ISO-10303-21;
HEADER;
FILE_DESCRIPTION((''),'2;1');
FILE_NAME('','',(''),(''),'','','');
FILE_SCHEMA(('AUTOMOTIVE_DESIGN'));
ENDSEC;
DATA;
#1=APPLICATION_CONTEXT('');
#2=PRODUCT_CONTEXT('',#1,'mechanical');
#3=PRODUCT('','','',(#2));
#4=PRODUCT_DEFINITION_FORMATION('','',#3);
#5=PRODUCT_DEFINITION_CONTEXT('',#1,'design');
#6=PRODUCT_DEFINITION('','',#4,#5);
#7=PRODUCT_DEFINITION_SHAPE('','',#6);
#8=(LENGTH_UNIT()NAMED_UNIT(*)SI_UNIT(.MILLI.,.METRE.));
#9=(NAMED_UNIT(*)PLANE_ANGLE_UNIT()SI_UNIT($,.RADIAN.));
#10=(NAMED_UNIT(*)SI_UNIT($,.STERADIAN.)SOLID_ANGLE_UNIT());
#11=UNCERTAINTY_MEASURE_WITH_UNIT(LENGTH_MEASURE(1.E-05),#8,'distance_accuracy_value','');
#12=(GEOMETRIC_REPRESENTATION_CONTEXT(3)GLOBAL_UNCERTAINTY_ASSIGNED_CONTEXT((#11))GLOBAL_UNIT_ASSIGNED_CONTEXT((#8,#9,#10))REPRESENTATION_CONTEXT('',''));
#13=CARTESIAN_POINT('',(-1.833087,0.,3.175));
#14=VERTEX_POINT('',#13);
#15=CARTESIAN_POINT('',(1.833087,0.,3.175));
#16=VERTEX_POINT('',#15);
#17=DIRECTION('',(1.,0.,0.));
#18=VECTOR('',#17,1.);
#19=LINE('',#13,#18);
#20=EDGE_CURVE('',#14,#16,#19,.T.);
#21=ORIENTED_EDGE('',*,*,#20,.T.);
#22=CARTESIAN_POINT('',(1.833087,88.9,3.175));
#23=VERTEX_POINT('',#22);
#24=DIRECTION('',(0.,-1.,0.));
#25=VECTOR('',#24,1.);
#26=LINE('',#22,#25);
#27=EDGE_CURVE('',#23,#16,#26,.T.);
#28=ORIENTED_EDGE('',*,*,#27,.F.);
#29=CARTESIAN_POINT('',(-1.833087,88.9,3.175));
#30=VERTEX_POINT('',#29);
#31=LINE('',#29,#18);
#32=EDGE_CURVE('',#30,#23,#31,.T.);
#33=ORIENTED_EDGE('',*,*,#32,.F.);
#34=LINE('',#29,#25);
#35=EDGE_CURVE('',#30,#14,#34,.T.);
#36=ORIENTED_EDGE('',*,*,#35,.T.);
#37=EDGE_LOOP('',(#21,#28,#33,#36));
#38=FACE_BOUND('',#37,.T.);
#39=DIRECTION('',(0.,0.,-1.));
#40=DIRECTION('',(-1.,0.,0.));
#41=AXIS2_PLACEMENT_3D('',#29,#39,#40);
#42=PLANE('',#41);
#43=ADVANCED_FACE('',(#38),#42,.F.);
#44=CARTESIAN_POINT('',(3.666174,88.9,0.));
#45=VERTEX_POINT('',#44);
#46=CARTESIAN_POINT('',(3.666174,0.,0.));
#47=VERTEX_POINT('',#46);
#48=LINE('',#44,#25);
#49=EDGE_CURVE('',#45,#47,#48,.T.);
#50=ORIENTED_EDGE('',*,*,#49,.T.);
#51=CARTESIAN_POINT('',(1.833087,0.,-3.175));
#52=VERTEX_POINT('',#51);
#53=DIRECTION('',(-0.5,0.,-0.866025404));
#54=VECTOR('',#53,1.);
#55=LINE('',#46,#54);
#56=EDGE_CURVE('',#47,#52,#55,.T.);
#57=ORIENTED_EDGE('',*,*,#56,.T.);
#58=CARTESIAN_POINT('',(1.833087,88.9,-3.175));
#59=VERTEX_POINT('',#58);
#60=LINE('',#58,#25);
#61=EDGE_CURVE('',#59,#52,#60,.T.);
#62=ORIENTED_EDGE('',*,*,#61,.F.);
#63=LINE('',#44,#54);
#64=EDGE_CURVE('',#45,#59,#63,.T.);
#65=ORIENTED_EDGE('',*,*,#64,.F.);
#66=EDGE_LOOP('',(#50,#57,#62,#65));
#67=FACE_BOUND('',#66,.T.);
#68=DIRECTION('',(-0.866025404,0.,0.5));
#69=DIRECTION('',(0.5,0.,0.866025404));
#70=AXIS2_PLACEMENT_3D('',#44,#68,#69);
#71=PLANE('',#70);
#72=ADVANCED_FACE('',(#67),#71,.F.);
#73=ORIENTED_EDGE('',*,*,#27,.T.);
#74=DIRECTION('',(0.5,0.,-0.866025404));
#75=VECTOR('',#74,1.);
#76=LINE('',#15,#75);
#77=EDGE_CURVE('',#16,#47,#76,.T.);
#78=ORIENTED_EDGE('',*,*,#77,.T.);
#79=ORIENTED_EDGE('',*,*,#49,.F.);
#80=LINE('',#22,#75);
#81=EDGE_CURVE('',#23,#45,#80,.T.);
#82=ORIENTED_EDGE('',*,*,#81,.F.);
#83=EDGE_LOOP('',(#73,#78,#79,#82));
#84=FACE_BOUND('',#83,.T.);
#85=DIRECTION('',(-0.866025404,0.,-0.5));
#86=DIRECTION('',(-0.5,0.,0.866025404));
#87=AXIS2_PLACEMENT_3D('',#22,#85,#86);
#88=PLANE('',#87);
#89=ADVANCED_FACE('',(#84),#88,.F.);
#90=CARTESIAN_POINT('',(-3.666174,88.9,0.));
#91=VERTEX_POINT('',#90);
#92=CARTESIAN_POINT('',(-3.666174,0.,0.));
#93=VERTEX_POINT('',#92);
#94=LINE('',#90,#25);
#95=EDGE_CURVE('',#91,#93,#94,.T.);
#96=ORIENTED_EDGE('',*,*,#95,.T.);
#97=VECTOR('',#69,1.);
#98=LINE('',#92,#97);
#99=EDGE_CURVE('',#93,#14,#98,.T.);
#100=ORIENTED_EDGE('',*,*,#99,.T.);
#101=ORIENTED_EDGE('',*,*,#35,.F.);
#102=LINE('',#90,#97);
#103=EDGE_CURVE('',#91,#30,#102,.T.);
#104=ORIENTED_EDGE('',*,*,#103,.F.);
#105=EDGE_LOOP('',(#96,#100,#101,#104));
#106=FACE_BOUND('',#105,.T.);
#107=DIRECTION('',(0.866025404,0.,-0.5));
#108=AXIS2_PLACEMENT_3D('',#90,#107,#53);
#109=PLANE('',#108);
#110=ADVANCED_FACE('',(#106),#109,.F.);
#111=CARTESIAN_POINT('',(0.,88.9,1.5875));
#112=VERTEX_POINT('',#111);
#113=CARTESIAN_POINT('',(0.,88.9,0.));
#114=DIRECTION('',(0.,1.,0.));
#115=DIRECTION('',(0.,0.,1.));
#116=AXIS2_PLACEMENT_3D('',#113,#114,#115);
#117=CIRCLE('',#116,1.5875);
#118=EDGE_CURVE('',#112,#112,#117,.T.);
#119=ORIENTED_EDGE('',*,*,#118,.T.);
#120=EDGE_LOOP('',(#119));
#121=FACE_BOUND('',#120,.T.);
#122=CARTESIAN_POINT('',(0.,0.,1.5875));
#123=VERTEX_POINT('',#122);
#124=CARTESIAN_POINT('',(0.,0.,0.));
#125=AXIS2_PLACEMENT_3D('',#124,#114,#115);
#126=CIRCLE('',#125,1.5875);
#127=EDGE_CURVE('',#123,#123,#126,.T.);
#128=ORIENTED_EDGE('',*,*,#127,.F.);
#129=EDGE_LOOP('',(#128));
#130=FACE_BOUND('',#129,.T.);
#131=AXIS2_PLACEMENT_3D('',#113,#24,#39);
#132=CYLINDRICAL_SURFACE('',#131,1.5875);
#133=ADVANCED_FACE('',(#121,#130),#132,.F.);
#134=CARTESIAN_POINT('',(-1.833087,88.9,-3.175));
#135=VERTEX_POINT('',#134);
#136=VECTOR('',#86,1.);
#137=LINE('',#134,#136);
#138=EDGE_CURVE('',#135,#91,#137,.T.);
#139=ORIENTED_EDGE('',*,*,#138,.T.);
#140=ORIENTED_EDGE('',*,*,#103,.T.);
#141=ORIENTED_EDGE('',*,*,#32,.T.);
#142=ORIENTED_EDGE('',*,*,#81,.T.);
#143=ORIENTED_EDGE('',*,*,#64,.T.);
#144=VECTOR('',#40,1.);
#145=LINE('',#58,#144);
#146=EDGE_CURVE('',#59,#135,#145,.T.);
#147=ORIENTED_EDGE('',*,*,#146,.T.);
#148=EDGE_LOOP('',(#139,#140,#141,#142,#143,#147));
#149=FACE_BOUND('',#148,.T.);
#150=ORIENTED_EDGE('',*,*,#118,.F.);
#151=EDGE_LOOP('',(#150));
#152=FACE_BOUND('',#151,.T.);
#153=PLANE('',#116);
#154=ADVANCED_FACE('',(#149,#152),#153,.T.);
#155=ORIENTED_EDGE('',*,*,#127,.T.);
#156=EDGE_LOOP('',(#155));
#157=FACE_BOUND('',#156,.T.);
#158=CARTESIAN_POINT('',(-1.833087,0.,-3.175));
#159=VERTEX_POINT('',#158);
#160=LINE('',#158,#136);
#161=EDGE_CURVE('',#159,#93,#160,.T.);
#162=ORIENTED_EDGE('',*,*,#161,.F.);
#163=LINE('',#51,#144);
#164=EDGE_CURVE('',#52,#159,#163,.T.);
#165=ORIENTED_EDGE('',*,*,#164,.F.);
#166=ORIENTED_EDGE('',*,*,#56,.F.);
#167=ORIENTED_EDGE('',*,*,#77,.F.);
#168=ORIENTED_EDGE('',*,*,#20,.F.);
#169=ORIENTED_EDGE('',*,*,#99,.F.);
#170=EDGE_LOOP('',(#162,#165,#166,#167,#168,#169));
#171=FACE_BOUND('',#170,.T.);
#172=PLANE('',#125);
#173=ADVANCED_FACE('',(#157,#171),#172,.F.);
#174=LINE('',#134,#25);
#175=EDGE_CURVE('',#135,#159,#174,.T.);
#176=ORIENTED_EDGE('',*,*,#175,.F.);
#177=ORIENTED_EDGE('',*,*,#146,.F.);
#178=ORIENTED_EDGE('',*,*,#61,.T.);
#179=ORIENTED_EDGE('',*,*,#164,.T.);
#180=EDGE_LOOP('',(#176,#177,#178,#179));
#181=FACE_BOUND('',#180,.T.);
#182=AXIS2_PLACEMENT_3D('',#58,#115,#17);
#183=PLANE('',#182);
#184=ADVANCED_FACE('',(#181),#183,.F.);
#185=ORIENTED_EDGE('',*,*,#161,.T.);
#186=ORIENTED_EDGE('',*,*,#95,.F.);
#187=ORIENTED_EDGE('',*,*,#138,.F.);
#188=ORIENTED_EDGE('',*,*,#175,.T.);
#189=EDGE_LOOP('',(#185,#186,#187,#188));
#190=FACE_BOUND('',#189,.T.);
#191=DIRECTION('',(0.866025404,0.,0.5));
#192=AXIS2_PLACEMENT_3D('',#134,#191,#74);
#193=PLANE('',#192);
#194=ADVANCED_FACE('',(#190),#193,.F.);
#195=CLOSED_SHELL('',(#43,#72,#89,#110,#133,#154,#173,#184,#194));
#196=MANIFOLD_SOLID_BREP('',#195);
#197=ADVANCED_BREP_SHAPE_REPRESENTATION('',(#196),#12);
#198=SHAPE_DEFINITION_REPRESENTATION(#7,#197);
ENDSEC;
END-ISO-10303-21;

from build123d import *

# Parameters (mm, degrees)
SKETCH1_R           = 1.5875
BOSS_EXTRUDE1_DEPTH = 88.9


with BuildPart() as part:
    # Sketch1 → Boss-Extrude1 (new body)
    with BuildSketch(Plane(origin=(0, 0, 0), x_dir=(1, 0, 0), z_dir=(0, 1, 0))):
        Polygon((1.833087105, 3.175), (-1.833087105, 3.175), (-3.666174209, 0), (-1.833087105, -3.175), (1.833087105, -3.175), (3.666174209, 0), align=None)
        Circle(SKETCH1_R, mode=Mode.SUBTRACT)
    extrude(amount=BOSS_EXTRUDE1_DEPTH)


solid = part.part
